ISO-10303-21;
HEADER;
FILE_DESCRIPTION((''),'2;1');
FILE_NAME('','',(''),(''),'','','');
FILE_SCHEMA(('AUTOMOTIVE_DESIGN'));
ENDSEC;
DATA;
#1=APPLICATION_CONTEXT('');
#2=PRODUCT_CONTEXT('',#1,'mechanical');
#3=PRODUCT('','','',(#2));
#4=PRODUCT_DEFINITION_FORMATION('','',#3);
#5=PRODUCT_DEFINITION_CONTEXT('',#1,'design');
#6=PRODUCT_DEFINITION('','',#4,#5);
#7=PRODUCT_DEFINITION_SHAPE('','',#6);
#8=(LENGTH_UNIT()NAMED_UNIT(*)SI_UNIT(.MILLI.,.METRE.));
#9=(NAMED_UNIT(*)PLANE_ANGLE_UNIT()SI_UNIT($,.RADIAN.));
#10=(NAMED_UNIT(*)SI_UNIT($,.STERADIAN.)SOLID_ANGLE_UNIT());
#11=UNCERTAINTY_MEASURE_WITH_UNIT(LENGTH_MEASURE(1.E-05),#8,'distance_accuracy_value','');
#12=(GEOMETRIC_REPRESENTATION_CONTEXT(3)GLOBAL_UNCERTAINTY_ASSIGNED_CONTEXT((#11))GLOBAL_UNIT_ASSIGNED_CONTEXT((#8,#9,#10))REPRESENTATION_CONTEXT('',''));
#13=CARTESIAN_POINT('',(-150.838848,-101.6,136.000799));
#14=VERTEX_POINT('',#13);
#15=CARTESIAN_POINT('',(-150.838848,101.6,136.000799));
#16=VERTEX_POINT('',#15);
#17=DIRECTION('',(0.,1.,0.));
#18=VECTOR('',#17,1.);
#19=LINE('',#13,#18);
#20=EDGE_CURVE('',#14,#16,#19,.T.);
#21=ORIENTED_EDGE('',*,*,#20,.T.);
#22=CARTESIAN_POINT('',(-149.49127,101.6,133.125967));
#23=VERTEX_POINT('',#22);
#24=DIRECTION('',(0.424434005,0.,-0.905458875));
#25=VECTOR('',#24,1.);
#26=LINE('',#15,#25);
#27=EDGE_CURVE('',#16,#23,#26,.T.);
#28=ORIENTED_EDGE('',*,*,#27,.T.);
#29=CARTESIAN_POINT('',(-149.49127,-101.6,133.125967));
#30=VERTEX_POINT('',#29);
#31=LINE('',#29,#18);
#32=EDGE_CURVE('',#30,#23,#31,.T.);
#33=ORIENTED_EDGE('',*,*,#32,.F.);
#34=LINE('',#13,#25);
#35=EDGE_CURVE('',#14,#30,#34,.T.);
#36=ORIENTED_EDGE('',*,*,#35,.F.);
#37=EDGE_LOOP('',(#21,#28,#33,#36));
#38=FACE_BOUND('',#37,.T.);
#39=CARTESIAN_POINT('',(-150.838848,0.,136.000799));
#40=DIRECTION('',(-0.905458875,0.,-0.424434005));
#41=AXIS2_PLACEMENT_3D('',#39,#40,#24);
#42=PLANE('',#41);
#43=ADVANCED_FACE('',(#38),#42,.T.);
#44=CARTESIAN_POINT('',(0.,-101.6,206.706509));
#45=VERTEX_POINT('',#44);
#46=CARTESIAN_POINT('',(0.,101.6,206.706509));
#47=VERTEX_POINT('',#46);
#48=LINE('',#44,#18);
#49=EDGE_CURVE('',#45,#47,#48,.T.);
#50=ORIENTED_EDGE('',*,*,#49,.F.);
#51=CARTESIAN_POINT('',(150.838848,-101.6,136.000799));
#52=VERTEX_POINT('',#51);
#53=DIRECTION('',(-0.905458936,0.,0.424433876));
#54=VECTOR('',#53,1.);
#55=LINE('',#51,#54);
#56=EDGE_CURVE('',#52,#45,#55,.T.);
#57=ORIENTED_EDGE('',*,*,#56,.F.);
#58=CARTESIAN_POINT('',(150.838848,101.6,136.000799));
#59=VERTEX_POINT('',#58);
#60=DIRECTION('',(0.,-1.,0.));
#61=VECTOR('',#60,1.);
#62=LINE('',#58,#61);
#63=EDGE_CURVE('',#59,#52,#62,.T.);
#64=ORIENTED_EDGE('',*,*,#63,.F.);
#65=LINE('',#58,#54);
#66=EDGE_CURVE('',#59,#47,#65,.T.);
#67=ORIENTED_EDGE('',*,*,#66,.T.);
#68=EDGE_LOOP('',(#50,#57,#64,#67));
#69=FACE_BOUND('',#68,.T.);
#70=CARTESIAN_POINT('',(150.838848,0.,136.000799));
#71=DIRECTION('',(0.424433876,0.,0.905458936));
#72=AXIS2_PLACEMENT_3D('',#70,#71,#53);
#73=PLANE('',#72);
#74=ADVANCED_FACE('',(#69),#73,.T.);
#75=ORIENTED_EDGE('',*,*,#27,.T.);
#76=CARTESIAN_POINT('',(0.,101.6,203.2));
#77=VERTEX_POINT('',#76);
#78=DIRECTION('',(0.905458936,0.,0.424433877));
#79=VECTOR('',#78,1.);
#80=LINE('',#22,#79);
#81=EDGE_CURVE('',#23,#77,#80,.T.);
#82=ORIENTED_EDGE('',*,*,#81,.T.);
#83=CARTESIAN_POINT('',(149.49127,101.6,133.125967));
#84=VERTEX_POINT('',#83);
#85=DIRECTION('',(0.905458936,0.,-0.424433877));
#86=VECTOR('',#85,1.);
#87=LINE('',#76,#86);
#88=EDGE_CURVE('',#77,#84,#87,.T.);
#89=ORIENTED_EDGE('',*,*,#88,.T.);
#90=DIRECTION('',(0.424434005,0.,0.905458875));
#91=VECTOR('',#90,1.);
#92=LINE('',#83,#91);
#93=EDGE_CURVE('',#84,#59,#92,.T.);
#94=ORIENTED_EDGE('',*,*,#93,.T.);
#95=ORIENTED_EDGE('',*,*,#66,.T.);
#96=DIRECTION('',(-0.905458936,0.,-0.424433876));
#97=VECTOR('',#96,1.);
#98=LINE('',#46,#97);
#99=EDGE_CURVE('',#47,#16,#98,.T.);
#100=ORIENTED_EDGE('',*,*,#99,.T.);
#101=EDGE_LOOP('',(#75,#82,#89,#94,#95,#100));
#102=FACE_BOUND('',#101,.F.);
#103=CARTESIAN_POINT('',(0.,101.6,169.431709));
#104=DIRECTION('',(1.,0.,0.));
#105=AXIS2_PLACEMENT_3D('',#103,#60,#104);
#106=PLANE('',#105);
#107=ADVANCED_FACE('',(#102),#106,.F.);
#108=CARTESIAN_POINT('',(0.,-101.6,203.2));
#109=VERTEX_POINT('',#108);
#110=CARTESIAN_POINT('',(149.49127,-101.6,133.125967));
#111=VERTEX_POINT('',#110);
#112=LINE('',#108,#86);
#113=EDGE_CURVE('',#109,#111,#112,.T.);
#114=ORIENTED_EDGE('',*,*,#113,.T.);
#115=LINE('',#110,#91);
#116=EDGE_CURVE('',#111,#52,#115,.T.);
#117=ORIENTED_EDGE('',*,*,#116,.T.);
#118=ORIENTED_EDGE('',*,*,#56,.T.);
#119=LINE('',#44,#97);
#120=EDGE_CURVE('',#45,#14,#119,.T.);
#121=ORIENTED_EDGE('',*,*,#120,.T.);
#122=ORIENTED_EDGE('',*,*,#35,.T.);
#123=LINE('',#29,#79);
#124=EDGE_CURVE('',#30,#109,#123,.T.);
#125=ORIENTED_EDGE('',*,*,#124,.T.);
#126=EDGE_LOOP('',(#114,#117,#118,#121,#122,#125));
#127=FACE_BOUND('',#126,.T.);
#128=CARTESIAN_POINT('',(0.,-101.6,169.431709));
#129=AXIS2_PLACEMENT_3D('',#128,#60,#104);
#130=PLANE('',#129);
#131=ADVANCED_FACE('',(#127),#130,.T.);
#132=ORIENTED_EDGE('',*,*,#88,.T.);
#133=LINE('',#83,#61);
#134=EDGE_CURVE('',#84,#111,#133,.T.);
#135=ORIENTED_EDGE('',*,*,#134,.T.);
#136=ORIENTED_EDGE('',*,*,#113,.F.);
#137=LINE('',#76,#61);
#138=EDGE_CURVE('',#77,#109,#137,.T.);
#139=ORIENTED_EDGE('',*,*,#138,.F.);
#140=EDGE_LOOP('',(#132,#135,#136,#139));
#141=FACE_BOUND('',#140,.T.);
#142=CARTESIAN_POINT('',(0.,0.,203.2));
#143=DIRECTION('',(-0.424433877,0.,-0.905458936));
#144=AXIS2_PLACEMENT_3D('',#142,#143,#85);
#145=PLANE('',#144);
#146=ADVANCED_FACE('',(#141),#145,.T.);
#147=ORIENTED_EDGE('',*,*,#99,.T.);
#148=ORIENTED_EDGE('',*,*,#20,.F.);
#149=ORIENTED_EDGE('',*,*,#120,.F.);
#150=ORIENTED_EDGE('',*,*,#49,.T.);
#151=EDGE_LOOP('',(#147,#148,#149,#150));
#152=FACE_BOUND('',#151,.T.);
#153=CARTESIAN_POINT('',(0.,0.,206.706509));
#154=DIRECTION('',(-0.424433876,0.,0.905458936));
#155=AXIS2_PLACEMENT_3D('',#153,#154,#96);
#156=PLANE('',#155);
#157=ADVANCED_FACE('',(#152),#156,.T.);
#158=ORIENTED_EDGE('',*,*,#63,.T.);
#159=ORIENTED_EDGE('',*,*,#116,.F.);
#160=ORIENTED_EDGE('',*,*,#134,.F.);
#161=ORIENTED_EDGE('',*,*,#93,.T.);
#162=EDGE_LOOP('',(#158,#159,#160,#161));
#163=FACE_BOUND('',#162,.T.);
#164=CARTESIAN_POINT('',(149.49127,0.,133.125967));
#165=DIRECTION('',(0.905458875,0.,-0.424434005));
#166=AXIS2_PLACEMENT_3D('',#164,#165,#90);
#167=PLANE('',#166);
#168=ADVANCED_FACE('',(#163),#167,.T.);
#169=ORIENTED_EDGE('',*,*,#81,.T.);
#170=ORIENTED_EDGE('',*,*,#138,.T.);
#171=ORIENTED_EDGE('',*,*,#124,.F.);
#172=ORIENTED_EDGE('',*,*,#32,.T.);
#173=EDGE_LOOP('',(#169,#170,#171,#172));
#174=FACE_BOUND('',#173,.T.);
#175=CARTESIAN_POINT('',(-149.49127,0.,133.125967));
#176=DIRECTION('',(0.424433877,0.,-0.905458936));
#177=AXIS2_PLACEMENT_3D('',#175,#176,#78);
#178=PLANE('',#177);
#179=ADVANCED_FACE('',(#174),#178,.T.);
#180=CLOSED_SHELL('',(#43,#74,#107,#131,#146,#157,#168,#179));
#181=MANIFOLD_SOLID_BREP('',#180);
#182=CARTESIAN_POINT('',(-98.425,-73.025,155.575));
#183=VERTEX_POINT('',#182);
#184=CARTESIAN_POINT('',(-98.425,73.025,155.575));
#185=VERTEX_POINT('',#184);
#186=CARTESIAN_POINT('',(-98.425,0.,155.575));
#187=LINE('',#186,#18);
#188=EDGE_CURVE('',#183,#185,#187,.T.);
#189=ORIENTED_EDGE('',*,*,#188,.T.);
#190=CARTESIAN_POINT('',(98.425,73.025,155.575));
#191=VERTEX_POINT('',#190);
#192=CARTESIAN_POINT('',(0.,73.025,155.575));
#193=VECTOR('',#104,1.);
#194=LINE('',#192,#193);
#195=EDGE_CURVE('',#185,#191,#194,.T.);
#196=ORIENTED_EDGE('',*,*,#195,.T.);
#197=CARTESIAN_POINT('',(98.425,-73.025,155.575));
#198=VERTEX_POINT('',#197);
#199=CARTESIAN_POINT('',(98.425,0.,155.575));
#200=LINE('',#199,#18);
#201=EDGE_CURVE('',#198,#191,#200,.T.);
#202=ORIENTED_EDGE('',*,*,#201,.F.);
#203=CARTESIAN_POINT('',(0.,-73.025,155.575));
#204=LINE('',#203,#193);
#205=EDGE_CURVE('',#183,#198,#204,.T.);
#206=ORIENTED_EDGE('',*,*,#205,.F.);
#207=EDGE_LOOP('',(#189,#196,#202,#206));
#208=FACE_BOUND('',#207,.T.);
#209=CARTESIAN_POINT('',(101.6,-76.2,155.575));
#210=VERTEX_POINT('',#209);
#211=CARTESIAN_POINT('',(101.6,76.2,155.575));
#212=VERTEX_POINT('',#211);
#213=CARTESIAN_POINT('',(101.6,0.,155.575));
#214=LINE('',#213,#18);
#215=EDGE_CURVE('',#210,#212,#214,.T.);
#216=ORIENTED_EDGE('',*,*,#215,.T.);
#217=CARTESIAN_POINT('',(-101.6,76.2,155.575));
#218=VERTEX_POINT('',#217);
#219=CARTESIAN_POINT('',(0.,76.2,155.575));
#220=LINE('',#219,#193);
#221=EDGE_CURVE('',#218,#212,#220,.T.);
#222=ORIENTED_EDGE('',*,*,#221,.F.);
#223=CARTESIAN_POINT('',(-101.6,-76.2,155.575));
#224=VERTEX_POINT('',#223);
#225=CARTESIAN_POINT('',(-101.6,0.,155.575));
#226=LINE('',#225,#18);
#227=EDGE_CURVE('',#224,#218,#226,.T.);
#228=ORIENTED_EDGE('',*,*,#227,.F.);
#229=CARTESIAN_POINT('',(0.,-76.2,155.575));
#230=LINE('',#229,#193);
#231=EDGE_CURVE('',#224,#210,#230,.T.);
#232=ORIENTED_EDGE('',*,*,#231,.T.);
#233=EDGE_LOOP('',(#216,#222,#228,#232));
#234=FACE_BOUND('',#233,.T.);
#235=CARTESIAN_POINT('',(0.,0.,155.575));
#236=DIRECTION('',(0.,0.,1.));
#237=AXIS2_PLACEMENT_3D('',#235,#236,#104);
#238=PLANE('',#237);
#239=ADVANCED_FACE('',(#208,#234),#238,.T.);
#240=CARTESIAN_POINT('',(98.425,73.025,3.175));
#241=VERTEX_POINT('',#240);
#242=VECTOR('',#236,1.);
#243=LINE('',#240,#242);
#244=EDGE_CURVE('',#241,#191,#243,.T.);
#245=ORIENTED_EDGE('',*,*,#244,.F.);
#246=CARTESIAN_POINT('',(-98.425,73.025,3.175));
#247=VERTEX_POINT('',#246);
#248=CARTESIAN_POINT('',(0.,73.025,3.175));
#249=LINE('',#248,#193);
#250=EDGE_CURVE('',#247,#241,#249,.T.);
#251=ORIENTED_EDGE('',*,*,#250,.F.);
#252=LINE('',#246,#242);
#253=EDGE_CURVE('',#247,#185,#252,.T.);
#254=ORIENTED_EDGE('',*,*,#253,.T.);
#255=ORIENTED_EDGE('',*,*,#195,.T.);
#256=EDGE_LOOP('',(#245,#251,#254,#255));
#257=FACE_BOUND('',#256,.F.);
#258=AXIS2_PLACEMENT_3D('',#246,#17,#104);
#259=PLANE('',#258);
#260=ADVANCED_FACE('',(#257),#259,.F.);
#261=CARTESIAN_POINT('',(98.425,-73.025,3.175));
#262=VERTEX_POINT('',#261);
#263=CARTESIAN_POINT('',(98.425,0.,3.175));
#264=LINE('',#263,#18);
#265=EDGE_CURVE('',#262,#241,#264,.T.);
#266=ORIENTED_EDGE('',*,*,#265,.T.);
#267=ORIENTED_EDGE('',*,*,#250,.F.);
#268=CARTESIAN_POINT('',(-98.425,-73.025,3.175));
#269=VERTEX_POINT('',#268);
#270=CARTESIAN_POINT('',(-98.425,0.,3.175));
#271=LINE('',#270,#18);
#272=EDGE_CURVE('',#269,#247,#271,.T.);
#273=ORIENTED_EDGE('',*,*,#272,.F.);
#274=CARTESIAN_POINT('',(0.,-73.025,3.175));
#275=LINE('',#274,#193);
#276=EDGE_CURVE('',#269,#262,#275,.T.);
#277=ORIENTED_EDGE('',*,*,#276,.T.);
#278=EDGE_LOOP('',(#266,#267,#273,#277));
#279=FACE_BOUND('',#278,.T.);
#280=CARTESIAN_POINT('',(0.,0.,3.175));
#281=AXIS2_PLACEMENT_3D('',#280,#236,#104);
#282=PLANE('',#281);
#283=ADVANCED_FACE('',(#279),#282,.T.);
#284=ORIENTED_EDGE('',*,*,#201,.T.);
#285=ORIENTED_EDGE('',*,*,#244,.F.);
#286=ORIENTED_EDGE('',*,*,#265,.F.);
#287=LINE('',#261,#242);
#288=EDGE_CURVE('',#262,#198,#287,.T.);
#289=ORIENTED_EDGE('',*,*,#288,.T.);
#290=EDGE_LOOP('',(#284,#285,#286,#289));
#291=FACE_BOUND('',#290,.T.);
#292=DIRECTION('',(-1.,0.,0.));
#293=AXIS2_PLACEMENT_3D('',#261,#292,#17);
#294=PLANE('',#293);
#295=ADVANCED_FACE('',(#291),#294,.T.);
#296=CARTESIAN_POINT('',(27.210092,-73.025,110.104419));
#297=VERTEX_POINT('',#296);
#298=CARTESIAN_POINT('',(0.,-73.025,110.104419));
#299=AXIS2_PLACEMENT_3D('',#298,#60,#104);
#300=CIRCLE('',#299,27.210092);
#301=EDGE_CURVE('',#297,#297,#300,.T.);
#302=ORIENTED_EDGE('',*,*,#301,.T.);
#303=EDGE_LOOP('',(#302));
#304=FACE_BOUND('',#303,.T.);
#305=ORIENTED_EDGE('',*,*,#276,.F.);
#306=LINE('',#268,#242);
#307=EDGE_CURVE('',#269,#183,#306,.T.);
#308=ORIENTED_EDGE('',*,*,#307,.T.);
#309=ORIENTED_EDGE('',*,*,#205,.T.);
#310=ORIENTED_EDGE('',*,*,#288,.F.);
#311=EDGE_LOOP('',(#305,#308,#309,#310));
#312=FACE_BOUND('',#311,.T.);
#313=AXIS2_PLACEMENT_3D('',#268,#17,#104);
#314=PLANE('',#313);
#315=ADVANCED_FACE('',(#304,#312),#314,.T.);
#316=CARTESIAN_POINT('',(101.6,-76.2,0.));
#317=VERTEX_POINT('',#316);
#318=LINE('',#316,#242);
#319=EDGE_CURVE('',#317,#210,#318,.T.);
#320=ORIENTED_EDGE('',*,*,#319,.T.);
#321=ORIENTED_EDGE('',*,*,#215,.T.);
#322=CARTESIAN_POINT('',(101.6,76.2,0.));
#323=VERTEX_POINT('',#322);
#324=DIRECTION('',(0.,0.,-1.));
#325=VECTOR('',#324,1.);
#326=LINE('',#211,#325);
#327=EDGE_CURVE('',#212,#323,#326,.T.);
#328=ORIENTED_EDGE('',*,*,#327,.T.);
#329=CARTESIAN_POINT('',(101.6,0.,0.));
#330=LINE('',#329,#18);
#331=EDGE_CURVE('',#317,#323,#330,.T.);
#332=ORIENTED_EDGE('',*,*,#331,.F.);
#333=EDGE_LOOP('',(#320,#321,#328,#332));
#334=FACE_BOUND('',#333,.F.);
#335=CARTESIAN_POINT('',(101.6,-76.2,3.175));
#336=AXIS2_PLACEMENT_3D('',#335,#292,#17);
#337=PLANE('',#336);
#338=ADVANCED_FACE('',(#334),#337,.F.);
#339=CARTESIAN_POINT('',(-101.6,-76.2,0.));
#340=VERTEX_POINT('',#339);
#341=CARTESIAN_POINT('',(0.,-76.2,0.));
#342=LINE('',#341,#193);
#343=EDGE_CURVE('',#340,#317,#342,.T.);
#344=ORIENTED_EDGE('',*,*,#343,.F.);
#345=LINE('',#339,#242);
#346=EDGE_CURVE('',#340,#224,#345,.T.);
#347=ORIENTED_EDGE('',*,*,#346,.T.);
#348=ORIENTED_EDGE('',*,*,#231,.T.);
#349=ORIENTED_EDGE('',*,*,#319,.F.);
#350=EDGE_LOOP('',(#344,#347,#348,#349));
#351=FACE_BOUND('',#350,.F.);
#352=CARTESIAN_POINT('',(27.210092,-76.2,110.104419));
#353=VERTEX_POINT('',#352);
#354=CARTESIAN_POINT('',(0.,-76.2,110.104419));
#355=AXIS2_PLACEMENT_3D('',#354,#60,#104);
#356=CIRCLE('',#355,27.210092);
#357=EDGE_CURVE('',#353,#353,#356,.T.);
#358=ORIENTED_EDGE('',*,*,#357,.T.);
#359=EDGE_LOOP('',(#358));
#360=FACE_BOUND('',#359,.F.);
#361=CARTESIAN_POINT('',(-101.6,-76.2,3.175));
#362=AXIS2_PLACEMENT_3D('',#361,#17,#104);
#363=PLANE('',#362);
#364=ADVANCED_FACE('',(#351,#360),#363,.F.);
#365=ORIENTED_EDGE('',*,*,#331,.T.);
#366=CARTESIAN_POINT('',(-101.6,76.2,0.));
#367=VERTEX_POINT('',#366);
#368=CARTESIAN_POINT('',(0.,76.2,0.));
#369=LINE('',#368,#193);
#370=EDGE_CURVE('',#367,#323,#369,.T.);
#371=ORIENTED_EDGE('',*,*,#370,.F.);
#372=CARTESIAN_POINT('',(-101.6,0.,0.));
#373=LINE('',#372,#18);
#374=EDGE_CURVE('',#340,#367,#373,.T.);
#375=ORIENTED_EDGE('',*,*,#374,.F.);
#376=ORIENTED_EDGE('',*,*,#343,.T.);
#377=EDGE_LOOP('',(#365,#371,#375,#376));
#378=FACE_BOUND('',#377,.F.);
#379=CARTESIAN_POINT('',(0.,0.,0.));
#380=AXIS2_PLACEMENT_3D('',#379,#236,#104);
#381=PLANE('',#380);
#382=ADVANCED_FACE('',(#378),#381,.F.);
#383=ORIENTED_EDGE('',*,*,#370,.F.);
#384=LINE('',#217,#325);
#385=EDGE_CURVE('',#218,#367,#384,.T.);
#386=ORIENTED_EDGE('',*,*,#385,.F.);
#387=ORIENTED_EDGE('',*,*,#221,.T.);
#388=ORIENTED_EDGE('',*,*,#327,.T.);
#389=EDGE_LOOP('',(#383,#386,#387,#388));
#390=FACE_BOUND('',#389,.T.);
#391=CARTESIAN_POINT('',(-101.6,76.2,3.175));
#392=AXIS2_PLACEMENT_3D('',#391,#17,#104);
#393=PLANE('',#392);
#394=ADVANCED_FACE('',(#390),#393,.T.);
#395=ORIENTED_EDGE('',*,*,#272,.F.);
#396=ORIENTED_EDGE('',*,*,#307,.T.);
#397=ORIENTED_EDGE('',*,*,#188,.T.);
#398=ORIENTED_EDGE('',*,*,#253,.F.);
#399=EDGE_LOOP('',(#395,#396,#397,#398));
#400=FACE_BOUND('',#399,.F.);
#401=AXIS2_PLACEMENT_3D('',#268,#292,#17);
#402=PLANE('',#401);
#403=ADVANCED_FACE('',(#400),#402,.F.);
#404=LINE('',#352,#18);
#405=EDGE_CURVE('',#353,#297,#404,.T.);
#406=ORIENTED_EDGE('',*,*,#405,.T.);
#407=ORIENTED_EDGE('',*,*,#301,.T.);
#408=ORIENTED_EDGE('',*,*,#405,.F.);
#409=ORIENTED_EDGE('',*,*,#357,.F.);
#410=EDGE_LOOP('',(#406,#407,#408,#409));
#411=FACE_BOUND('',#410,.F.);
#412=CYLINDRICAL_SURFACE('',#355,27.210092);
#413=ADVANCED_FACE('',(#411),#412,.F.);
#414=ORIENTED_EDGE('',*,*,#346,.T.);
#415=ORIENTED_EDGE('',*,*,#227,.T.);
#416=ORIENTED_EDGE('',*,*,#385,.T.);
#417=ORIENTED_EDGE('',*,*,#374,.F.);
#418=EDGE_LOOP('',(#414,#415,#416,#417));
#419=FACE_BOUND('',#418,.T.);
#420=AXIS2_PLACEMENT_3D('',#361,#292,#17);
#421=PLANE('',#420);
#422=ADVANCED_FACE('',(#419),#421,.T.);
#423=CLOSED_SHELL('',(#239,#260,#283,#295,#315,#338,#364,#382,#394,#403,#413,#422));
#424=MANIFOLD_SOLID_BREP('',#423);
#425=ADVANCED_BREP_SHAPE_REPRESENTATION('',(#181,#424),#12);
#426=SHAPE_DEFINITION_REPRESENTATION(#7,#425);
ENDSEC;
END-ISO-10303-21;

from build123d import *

# Parameters (mm, degrees)
F0_W     = 203.2
F0_H     = 152.4
F1_DEPTH = 3.175
F2_W     = 203.2
F2_H     = 152.4
F2_W_2   = 196.85
F2_H_2   = 146.05
F3_DEPTH = 152.4
F5_DEPTH = 101.6
F6_R     = 27.210092
F7_DEPTH = 25.4


with BuildPart() as f1:
    # F0 (on Top) → F1 (new body)
    with BuildSketch(Plane.XY):
        Rectangle(F0_W, F0_H)
    extrude(amount=F1_DEPTH)

    # F2 (on face) → F3 (join)
    with BuildSketch(Plane.XY.offset(3.175)):
        Rectangle(F2_W, F2_H)
        Rectangle(F2_W_2, F2_H_2, mode=Mode.SUBTRACT)
    extrude(amount=F3_DEPTH)

    # F6 (on face) → F7 (cut)
    with BuildSketch(Plane.XZ.offset(76.2)):
        with Locations((0, 110.104419)):
            Circle(F6_R)
    extrude(amount=-F7_DEPTH, mode=Mode.SUBTRACT)


with BuildPart() as f5:
    # F4 (on Front) → F5 (new body, symmetric)
    with BuildSketch(Plane.XZ):
        Polygon((-149.49127, 133.125967), (0, 203.2), (149.49127, 133.125967), (150.838848, 136.000799), (0, 206.706509), (-150.838848, 136.000799), align=None)
    extrude(amount=F5_DEPTH, both=True)


solid = Compound([f1.part, f5.part])
